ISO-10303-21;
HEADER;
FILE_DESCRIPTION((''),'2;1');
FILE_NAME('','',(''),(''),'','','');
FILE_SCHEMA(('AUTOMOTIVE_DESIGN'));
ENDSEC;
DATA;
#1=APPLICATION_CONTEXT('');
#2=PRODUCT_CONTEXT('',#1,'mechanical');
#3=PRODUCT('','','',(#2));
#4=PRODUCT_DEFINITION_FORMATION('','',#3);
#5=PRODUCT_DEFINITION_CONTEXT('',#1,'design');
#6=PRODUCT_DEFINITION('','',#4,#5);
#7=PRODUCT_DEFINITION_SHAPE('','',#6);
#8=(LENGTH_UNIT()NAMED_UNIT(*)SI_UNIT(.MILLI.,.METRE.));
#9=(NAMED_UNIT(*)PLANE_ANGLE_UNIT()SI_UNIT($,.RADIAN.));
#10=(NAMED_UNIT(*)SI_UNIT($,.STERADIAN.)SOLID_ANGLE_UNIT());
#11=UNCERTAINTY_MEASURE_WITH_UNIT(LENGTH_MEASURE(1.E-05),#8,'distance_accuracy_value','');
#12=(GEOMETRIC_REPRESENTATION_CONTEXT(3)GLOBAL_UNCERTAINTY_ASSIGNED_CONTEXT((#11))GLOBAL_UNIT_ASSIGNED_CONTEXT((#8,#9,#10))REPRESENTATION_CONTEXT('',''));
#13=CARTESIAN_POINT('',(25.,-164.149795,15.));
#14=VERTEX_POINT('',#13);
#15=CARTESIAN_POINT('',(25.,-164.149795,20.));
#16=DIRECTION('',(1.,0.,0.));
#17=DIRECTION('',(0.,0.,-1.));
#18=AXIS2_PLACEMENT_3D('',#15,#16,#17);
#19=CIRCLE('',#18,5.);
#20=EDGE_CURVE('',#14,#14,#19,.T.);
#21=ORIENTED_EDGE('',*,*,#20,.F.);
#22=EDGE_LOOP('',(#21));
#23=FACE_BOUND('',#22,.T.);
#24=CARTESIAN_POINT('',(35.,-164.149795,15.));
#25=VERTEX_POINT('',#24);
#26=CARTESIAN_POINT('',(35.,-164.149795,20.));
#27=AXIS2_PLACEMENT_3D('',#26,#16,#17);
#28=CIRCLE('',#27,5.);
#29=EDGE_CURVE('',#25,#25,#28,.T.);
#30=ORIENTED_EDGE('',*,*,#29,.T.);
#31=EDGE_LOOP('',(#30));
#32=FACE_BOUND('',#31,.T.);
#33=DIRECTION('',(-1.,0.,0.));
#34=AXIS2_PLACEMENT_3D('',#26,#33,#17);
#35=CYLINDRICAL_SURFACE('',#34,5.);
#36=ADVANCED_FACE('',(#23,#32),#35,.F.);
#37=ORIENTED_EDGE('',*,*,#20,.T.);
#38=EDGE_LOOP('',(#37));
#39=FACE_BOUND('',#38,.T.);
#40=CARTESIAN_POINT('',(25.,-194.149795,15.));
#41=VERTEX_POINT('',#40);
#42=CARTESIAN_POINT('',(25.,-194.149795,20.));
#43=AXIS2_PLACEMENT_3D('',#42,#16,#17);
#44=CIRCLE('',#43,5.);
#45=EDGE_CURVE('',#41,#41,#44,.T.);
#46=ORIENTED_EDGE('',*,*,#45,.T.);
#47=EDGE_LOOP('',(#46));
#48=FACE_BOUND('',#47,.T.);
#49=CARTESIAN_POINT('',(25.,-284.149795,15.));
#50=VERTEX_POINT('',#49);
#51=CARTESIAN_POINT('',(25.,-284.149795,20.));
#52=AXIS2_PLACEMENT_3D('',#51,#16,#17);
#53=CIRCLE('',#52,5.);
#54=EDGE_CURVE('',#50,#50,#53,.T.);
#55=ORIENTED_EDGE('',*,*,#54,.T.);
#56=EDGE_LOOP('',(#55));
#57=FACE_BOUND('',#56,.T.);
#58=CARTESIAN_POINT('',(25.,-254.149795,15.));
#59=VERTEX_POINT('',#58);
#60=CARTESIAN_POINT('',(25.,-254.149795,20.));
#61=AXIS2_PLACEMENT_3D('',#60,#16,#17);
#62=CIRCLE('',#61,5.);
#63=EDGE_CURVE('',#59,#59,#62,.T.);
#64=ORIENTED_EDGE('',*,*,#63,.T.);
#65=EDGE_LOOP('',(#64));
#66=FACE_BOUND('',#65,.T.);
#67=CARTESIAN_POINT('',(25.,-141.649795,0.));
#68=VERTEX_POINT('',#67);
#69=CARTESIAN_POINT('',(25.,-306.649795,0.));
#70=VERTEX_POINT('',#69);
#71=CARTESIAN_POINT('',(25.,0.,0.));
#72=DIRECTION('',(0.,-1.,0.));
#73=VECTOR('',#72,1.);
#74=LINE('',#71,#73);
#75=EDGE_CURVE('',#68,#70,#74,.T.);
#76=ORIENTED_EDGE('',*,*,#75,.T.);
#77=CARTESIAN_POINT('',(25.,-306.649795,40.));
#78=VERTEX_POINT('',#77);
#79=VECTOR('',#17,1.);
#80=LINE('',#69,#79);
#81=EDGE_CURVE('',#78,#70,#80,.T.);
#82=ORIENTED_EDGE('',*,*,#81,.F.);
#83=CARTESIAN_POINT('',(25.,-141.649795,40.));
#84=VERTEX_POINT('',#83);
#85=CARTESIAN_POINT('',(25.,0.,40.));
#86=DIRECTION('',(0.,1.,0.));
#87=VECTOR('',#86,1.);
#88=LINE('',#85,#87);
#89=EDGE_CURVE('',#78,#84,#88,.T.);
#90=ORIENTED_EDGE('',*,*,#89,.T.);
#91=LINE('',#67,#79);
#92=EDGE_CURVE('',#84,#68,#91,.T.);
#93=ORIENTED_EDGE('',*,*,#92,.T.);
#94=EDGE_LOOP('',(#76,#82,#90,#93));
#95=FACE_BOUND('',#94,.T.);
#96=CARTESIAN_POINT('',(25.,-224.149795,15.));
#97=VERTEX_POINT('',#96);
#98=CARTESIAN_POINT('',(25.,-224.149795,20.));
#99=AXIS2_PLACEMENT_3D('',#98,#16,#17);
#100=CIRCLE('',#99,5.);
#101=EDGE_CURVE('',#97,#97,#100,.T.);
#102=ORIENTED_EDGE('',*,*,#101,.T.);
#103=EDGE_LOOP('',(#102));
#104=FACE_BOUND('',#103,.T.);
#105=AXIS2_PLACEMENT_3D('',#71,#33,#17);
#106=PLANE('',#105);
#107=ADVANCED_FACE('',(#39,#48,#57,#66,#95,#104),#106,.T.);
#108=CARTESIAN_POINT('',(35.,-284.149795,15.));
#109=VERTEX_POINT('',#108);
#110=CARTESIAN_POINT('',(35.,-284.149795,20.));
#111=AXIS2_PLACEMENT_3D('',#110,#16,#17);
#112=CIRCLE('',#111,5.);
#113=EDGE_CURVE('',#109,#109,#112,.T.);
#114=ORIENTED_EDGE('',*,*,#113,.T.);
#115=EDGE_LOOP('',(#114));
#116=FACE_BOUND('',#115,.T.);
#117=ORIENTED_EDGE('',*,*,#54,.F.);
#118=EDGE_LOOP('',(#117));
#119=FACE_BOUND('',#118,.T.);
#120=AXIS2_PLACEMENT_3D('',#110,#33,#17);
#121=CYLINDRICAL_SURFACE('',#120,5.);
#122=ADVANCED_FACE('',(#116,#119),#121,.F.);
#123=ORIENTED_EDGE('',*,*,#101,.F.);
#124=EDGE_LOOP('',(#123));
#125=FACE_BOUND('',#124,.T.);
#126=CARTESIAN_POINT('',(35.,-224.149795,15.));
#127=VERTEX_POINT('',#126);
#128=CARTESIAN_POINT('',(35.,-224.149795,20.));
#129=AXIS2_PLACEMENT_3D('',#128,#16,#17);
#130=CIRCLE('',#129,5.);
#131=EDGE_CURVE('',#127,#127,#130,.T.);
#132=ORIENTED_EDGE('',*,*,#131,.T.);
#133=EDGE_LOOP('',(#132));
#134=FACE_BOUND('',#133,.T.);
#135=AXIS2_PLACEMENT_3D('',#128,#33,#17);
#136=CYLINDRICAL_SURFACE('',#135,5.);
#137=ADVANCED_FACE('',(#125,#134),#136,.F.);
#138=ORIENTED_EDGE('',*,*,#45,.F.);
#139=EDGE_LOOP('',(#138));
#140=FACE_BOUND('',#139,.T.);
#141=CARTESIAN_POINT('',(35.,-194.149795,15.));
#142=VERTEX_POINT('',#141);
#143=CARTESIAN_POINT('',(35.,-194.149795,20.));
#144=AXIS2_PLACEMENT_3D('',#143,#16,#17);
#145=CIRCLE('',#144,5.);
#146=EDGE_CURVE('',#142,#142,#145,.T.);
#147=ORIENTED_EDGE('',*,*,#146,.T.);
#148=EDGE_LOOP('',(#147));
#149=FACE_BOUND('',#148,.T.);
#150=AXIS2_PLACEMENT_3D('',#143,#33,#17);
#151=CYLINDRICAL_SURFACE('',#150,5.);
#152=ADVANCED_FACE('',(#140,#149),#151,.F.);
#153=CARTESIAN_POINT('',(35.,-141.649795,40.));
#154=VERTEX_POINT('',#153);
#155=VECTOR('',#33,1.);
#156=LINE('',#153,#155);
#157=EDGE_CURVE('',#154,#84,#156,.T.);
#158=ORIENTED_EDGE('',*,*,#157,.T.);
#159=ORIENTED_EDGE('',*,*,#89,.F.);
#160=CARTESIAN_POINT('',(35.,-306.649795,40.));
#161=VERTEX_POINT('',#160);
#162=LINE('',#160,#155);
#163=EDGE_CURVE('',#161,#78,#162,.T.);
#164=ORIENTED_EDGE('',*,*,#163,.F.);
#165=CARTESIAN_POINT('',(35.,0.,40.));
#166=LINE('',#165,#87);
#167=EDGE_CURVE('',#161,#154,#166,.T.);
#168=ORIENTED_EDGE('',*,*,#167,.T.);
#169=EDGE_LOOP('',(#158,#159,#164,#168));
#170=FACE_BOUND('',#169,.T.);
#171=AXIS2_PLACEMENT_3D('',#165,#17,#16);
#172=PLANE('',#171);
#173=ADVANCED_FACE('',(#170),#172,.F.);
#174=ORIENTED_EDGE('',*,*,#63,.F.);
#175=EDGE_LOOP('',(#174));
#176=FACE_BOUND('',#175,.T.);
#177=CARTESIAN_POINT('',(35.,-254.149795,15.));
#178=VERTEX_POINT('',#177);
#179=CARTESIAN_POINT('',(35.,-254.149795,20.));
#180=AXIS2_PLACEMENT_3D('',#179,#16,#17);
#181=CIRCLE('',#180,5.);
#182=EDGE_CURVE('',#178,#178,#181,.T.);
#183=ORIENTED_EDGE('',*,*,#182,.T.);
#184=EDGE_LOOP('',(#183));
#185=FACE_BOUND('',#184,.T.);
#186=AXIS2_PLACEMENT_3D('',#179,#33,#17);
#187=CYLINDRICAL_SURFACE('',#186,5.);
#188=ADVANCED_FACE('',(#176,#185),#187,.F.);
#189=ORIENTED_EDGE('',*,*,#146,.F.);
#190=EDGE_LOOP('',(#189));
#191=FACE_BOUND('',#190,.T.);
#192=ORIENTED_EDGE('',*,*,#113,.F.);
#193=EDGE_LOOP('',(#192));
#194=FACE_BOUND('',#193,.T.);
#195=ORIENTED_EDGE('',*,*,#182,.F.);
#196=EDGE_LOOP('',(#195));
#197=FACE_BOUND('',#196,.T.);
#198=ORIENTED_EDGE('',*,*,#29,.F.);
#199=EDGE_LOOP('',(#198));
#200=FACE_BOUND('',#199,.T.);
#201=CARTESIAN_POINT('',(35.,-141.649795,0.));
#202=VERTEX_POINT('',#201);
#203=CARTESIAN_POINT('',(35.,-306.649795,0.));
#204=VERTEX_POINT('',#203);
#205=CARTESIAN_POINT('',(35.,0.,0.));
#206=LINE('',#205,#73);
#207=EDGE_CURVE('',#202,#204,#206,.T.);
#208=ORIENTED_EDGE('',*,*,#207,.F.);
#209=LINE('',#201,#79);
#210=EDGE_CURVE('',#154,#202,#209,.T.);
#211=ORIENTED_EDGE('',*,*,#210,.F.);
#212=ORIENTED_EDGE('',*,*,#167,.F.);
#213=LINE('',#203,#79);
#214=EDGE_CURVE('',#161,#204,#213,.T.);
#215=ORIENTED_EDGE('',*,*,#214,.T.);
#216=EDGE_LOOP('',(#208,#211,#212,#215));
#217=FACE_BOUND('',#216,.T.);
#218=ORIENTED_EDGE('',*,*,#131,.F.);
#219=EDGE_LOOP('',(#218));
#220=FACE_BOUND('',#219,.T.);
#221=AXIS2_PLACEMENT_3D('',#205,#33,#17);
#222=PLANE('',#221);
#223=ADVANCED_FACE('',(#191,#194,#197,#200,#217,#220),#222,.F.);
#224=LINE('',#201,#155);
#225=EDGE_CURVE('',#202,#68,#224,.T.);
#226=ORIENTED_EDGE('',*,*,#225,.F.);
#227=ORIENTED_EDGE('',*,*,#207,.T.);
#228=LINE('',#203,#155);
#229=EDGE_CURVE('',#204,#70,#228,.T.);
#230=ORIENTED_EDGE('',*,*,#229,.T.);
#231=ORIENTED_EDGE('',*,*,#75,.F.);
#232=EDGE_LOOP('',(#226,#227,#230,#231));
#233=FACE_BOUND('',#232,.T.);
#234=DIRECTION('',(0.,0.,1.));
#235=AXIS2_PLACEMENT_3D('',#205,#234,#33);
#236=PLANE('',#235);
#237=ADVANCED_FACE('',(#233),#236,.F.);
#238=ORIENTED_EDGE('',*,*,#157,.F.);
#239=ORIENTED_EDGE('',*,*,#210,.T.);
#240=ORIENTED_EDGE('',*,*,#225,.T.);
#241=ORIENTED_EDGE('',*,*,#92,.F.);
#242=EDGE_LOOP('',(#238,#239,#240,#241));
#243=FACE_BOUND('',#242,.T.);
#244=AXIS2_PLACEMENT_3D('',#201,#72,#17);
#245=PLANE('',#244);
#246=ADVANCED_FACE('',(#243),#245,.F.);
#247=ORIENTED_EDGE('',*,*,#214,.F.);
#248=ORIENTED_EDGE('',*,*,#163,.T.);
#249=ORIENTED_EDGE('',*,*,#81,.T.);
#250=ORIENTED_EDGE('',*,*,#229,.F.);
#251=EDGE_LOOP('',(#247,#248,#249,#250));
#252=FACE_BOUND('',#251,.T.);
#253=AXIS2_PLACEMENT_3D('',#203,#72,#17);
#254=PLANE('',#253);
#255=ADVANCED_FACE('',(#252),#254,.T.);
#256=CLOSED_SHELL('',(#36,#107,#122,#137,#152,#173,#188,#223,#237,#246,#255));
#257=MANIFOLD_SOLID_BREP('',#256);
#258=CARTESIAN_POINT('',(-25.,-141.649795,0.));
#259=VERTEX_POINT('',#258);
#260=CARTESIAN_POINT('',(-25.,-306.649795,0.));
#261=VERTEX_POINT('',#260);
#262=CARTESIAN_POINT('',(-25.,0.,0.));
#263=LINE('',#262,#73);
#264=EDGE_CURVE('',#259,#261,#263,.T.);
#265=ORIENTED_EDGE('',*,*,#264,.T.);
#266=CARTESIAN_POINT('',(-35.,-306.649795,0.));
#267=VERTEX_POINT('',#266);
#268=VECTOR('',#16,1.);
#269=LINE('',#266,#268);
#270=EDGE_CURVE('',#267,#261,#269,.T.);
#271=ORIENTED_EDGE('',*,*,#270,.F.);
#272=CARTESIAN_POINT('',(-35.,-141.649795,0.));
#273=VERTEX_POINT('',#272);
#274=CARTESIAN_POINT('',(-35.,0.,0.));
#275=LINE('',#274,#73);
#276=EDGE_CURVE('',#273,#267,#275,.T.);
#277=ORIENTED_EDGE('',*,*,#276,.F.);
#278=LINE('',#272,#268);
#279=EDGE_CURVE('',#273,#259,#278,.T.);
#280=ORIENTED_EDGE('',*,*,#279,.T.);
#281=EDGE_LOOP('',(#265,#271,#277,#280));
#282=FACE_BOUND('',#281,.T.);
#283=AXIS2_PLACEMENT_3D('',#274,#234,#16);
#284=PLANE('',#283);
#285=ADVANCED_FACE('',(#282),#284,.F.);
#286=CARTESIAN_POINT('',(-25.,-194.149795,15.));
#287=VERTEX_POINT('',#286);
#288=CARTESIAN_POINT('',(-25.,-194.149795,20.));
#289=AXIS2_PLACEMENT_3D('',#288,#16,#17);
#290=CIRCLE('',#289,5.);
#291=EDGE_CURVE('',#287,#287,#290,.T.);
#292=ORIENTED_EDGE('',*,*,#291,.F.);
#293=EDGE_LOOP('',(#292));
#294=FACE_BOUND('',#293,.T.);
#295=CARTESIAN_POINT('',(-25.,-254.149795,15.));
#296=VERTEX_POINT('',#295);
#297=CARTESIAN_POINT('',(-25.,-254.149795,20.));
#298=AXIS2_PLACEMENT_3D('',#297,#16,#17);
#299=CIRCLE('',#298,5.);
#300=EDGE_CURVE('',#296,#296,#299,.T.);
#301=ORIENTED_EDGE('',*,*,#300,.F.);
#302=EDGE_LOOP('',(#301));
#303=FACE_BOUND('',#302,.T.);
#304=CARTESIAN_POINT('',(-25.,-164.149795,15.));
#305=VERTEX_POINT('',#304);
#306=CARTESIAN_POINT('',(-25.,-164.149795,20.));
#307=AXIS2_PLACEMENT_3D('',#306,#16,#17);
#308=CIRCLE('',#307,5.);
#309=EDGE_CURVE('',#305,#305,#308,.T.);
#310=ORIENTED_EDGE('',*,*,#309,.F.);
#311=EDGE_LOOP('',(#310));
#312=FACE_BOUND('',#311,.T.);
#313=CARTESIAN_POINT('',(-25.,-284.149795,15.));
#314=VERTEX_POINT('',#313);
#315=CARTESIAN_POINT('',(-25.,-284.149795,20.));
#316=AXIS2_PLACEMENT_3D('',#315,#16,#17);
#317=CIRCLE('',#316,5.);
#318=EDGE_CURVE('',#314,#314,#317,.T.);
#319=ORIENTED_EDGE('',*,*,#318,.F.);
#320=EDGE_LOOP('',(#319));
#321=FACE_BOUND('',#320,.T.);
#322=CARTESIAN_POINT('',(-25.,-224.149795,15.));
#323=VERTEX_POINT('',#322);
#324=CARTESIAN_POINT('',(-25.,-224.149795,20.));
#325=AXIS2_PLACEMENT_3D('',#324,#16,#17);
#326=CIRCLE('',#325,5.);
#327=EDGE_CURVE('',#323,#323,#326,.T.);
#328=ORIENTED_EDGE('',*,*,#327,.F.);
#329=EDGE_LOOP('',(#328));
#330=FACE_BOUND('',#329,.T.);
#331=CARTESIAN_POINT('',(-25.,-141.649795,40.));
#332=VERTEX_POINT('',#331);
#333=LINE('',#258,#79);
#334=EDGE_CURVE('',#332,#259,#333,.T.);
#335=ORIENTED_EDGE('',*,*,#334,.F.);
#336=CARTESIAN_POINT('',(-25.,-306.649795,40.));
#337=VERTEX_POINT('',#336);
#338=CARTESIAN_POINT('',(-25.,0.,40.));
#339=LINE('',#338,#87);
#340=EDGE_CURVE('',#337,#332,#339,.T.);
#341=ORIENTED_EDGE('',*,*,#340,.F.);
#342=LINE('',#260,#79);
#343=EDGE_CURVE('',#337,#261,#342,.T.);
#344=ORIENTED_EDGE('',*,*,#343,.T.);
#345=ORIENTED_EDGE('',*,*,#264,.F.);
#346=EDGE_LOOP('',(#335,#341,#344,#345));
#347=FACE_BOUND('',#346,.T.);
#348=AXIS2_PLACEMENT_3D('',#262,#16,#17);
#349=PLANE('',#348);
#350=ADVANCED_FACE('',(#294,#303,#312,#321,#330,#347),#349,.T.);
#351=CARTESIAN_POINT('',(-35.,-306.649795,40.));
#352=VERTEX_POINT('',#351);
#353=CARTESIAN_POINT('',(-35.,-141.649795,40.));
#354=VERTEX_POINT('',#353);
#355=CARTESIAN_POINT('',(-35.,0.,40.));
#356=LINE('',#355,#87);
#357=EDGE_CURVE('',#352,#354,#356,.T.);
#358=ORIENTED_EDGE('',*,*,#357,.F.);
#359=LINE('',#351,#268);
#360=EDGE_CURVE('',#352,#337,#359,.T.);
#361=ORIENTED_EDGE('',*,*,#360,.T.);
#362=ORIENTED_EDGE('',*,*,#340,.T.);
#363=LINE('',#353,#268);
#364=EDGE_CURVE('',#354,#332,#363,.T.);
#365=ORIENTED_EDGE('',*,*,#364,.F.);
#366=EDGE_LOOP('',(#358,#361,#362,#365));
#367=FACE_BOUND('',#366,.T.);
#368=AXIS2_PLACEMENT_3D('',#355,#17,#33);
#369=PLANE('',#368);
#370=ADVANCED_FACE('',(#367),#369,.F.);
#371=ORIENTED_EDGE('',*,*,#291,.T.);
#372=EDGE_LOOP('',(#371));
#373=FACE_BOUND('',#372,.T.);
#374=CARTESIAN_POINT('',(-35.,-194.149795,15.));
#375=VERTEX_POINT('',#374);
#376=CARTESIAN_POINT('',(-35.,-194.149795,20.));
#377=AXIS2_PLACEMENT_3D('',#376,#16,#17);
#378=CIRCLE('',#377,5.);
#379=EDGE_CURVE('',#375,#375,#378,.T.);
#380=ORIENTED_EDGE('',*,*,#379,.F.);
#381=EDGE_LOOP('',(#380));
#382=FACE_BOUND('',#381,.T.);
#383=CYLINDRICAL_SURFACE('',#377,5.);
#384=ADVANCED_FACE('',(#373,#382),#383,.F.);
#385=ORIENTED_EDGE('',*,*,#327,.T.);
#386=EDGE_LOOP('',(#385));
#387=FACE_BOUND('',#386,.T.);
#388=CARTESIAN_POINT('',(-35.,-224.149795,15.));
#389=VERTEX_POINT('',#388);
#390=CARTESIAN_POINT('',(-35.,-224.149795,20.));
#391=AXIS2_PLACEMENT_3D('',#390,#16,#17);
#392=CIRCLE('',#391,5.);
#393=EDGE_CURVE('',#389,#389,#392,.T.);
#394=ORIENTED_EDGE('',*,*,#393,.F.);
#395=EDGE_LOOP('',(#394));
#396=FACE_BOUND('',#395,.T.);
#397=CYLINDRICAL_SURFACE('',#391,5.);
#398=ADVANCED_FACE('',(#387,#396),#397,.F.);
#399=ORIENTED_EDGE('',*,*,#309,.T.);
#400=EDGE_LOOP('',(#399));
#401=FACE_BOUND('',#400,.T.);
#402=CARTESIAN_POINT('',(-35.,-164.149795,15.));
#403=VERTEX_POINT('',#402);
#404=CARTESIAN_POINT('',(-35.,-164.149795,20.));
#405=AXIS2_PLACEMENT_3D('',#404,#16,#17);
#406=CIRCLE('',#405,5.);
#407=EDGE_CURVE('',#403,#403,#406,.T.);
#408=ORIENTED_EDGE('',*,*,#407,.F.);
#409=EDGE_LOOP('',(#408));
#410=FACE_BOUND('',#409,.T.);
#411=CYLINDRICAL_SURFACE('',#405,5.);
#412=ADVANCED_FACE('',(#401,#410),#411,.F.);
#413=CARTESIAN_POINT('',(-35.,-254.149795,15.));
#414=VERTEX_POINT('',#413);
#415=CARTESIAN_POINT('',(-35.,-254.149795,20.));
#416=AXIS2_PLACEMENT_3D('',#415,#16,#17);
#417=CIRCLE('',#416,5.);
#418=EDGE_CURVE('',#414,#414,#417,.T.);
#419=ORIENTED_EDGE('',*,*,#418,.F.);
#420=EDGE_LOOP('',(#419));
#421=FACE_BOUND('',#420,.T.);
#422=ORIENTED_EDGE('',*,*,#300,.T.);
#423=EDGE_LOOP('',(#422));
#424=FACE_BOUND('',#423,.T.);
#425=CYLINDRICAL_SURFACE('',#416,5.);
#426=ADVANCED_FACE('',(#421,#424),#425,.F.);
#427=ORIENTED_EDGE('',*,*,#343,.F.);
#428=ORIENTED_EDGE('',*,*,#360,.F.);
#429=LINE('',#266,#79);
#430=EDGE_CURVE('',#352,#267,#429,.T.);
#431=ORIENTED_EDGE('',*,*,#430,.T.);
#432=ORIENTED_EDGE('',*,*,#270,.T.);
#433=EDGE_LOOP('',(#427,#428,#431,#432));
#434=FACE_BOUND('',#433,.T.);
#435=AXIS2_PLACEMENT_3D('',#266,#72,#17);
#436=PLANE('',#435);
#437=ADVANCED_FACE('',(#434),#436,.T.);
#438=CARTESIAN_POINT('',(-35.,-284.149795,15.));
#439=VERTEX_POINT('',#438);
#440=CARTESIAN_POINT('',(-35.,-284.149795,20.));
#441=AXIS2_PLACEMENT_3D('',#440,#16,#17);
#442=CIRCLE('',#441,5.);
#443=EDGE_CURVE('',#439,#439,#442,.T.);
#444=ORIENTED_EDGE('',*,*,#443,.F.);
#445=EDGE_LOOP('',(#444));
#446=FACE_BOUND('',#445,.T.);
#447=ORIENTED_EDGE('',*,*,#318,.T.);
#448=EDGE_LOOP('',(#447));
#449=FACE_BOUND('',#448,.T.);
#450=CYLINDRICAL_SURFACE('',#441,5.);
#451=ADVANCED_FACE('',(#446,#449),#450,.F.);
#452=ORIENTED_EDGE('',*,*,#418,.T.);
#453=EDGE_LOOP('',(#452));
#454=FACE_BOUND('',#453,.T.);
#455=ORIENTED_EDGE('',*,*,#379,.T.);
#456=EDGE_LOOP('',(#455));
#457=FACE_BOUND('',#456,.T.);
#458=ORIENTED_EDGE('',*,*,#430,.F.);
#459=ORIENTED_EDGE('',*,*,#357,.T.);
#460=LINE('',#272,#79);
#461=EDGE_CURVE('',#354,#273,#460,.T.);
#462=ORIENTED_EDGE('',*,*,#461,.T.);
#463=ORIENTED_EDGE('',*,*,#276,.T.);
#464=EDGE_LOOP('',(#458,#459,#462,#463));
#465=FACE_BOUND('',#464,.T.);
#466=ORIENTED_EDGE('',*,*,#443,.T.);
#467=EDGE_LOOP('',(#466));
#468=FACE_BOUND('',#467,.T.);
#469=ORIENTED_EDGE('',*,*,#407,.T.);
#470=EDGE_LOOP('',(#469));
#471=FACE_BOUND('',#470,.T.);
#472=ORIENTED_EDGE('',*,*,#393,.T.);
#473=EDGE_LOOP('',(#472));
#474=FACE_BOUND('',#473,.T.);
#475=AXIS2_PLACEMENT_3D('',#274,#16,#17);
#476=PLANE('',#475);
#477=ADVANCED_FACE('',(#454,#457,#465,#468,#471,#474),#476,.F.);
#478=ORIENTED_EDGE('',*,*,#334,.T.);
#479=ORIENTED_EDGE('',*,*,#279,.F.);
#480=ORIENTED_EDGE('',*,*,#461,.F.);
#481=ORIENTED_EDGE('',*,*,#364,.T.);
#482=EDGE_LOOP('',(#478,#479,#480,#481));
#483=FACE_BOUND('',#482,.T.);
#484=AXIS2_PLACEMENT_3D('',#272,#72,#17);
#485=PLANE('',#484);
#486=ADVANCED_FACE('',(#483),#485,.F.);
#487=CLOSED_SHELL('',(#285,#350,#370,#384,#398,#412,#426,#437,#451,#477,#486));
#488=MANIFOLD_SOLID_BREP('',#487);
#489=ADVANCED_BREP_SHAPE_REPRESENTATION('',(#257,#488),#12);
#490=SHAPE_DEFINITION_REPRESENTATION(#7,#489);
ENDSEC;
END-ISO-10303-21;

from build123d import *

# Parameters (mm, degrees)
SKETCH2_R           = 5
BOSS_EXTRUDE1_DEPTH = 10


with BuildPart() as part:
    # Sketch2 → Boss-Extrude1 (new body)
    with BuildSketch(Plane(origin=(-25, 0, 0), x_dir=(0, 0, -1), z_dir=(1, 0, 0))):
        Polygon((-40, -141.649794608), (-40, -211.649794608), (-40, -236.649794608), (-40, -306.649794608), (0, -306.649794608), (0, -236.649794608), (0, -141.649794608), align=None)
        with Locations((-20, -284.149794608)):
            Circle(SKETCH2_R, mode=Mode.SUBTRACT)
        with Locations((-20, -254.149794608)):
            Circle(SKETCH2_R, mode=Mode.SUBTRACT)
        with Locations((-20, -224.149794608)):
            Circle(SKETCH2_R, mode=Mode.SUBTRACT)
        with Locations((-20, -194.149794608)):
            Circle(SKETCH2_R, mode=Mode.SUBTRACT)
        with Locations((-20, -164.149794608)):
            Circle(SKETCH2_R, mode=Mode.SUBTRACT)
    extrude(amount=-BOSS_EXTRUDE1_DEPTH)


with BuildPart() as body_2:
    # Mirror2: mirrored copy
    add(part.part.mirror(Plane(origin=(0, 0, 0), x_dir=(0, 0, 1), z_dir=(1, 0, 0))))


solid = Compound([part.part, body_2.part])
